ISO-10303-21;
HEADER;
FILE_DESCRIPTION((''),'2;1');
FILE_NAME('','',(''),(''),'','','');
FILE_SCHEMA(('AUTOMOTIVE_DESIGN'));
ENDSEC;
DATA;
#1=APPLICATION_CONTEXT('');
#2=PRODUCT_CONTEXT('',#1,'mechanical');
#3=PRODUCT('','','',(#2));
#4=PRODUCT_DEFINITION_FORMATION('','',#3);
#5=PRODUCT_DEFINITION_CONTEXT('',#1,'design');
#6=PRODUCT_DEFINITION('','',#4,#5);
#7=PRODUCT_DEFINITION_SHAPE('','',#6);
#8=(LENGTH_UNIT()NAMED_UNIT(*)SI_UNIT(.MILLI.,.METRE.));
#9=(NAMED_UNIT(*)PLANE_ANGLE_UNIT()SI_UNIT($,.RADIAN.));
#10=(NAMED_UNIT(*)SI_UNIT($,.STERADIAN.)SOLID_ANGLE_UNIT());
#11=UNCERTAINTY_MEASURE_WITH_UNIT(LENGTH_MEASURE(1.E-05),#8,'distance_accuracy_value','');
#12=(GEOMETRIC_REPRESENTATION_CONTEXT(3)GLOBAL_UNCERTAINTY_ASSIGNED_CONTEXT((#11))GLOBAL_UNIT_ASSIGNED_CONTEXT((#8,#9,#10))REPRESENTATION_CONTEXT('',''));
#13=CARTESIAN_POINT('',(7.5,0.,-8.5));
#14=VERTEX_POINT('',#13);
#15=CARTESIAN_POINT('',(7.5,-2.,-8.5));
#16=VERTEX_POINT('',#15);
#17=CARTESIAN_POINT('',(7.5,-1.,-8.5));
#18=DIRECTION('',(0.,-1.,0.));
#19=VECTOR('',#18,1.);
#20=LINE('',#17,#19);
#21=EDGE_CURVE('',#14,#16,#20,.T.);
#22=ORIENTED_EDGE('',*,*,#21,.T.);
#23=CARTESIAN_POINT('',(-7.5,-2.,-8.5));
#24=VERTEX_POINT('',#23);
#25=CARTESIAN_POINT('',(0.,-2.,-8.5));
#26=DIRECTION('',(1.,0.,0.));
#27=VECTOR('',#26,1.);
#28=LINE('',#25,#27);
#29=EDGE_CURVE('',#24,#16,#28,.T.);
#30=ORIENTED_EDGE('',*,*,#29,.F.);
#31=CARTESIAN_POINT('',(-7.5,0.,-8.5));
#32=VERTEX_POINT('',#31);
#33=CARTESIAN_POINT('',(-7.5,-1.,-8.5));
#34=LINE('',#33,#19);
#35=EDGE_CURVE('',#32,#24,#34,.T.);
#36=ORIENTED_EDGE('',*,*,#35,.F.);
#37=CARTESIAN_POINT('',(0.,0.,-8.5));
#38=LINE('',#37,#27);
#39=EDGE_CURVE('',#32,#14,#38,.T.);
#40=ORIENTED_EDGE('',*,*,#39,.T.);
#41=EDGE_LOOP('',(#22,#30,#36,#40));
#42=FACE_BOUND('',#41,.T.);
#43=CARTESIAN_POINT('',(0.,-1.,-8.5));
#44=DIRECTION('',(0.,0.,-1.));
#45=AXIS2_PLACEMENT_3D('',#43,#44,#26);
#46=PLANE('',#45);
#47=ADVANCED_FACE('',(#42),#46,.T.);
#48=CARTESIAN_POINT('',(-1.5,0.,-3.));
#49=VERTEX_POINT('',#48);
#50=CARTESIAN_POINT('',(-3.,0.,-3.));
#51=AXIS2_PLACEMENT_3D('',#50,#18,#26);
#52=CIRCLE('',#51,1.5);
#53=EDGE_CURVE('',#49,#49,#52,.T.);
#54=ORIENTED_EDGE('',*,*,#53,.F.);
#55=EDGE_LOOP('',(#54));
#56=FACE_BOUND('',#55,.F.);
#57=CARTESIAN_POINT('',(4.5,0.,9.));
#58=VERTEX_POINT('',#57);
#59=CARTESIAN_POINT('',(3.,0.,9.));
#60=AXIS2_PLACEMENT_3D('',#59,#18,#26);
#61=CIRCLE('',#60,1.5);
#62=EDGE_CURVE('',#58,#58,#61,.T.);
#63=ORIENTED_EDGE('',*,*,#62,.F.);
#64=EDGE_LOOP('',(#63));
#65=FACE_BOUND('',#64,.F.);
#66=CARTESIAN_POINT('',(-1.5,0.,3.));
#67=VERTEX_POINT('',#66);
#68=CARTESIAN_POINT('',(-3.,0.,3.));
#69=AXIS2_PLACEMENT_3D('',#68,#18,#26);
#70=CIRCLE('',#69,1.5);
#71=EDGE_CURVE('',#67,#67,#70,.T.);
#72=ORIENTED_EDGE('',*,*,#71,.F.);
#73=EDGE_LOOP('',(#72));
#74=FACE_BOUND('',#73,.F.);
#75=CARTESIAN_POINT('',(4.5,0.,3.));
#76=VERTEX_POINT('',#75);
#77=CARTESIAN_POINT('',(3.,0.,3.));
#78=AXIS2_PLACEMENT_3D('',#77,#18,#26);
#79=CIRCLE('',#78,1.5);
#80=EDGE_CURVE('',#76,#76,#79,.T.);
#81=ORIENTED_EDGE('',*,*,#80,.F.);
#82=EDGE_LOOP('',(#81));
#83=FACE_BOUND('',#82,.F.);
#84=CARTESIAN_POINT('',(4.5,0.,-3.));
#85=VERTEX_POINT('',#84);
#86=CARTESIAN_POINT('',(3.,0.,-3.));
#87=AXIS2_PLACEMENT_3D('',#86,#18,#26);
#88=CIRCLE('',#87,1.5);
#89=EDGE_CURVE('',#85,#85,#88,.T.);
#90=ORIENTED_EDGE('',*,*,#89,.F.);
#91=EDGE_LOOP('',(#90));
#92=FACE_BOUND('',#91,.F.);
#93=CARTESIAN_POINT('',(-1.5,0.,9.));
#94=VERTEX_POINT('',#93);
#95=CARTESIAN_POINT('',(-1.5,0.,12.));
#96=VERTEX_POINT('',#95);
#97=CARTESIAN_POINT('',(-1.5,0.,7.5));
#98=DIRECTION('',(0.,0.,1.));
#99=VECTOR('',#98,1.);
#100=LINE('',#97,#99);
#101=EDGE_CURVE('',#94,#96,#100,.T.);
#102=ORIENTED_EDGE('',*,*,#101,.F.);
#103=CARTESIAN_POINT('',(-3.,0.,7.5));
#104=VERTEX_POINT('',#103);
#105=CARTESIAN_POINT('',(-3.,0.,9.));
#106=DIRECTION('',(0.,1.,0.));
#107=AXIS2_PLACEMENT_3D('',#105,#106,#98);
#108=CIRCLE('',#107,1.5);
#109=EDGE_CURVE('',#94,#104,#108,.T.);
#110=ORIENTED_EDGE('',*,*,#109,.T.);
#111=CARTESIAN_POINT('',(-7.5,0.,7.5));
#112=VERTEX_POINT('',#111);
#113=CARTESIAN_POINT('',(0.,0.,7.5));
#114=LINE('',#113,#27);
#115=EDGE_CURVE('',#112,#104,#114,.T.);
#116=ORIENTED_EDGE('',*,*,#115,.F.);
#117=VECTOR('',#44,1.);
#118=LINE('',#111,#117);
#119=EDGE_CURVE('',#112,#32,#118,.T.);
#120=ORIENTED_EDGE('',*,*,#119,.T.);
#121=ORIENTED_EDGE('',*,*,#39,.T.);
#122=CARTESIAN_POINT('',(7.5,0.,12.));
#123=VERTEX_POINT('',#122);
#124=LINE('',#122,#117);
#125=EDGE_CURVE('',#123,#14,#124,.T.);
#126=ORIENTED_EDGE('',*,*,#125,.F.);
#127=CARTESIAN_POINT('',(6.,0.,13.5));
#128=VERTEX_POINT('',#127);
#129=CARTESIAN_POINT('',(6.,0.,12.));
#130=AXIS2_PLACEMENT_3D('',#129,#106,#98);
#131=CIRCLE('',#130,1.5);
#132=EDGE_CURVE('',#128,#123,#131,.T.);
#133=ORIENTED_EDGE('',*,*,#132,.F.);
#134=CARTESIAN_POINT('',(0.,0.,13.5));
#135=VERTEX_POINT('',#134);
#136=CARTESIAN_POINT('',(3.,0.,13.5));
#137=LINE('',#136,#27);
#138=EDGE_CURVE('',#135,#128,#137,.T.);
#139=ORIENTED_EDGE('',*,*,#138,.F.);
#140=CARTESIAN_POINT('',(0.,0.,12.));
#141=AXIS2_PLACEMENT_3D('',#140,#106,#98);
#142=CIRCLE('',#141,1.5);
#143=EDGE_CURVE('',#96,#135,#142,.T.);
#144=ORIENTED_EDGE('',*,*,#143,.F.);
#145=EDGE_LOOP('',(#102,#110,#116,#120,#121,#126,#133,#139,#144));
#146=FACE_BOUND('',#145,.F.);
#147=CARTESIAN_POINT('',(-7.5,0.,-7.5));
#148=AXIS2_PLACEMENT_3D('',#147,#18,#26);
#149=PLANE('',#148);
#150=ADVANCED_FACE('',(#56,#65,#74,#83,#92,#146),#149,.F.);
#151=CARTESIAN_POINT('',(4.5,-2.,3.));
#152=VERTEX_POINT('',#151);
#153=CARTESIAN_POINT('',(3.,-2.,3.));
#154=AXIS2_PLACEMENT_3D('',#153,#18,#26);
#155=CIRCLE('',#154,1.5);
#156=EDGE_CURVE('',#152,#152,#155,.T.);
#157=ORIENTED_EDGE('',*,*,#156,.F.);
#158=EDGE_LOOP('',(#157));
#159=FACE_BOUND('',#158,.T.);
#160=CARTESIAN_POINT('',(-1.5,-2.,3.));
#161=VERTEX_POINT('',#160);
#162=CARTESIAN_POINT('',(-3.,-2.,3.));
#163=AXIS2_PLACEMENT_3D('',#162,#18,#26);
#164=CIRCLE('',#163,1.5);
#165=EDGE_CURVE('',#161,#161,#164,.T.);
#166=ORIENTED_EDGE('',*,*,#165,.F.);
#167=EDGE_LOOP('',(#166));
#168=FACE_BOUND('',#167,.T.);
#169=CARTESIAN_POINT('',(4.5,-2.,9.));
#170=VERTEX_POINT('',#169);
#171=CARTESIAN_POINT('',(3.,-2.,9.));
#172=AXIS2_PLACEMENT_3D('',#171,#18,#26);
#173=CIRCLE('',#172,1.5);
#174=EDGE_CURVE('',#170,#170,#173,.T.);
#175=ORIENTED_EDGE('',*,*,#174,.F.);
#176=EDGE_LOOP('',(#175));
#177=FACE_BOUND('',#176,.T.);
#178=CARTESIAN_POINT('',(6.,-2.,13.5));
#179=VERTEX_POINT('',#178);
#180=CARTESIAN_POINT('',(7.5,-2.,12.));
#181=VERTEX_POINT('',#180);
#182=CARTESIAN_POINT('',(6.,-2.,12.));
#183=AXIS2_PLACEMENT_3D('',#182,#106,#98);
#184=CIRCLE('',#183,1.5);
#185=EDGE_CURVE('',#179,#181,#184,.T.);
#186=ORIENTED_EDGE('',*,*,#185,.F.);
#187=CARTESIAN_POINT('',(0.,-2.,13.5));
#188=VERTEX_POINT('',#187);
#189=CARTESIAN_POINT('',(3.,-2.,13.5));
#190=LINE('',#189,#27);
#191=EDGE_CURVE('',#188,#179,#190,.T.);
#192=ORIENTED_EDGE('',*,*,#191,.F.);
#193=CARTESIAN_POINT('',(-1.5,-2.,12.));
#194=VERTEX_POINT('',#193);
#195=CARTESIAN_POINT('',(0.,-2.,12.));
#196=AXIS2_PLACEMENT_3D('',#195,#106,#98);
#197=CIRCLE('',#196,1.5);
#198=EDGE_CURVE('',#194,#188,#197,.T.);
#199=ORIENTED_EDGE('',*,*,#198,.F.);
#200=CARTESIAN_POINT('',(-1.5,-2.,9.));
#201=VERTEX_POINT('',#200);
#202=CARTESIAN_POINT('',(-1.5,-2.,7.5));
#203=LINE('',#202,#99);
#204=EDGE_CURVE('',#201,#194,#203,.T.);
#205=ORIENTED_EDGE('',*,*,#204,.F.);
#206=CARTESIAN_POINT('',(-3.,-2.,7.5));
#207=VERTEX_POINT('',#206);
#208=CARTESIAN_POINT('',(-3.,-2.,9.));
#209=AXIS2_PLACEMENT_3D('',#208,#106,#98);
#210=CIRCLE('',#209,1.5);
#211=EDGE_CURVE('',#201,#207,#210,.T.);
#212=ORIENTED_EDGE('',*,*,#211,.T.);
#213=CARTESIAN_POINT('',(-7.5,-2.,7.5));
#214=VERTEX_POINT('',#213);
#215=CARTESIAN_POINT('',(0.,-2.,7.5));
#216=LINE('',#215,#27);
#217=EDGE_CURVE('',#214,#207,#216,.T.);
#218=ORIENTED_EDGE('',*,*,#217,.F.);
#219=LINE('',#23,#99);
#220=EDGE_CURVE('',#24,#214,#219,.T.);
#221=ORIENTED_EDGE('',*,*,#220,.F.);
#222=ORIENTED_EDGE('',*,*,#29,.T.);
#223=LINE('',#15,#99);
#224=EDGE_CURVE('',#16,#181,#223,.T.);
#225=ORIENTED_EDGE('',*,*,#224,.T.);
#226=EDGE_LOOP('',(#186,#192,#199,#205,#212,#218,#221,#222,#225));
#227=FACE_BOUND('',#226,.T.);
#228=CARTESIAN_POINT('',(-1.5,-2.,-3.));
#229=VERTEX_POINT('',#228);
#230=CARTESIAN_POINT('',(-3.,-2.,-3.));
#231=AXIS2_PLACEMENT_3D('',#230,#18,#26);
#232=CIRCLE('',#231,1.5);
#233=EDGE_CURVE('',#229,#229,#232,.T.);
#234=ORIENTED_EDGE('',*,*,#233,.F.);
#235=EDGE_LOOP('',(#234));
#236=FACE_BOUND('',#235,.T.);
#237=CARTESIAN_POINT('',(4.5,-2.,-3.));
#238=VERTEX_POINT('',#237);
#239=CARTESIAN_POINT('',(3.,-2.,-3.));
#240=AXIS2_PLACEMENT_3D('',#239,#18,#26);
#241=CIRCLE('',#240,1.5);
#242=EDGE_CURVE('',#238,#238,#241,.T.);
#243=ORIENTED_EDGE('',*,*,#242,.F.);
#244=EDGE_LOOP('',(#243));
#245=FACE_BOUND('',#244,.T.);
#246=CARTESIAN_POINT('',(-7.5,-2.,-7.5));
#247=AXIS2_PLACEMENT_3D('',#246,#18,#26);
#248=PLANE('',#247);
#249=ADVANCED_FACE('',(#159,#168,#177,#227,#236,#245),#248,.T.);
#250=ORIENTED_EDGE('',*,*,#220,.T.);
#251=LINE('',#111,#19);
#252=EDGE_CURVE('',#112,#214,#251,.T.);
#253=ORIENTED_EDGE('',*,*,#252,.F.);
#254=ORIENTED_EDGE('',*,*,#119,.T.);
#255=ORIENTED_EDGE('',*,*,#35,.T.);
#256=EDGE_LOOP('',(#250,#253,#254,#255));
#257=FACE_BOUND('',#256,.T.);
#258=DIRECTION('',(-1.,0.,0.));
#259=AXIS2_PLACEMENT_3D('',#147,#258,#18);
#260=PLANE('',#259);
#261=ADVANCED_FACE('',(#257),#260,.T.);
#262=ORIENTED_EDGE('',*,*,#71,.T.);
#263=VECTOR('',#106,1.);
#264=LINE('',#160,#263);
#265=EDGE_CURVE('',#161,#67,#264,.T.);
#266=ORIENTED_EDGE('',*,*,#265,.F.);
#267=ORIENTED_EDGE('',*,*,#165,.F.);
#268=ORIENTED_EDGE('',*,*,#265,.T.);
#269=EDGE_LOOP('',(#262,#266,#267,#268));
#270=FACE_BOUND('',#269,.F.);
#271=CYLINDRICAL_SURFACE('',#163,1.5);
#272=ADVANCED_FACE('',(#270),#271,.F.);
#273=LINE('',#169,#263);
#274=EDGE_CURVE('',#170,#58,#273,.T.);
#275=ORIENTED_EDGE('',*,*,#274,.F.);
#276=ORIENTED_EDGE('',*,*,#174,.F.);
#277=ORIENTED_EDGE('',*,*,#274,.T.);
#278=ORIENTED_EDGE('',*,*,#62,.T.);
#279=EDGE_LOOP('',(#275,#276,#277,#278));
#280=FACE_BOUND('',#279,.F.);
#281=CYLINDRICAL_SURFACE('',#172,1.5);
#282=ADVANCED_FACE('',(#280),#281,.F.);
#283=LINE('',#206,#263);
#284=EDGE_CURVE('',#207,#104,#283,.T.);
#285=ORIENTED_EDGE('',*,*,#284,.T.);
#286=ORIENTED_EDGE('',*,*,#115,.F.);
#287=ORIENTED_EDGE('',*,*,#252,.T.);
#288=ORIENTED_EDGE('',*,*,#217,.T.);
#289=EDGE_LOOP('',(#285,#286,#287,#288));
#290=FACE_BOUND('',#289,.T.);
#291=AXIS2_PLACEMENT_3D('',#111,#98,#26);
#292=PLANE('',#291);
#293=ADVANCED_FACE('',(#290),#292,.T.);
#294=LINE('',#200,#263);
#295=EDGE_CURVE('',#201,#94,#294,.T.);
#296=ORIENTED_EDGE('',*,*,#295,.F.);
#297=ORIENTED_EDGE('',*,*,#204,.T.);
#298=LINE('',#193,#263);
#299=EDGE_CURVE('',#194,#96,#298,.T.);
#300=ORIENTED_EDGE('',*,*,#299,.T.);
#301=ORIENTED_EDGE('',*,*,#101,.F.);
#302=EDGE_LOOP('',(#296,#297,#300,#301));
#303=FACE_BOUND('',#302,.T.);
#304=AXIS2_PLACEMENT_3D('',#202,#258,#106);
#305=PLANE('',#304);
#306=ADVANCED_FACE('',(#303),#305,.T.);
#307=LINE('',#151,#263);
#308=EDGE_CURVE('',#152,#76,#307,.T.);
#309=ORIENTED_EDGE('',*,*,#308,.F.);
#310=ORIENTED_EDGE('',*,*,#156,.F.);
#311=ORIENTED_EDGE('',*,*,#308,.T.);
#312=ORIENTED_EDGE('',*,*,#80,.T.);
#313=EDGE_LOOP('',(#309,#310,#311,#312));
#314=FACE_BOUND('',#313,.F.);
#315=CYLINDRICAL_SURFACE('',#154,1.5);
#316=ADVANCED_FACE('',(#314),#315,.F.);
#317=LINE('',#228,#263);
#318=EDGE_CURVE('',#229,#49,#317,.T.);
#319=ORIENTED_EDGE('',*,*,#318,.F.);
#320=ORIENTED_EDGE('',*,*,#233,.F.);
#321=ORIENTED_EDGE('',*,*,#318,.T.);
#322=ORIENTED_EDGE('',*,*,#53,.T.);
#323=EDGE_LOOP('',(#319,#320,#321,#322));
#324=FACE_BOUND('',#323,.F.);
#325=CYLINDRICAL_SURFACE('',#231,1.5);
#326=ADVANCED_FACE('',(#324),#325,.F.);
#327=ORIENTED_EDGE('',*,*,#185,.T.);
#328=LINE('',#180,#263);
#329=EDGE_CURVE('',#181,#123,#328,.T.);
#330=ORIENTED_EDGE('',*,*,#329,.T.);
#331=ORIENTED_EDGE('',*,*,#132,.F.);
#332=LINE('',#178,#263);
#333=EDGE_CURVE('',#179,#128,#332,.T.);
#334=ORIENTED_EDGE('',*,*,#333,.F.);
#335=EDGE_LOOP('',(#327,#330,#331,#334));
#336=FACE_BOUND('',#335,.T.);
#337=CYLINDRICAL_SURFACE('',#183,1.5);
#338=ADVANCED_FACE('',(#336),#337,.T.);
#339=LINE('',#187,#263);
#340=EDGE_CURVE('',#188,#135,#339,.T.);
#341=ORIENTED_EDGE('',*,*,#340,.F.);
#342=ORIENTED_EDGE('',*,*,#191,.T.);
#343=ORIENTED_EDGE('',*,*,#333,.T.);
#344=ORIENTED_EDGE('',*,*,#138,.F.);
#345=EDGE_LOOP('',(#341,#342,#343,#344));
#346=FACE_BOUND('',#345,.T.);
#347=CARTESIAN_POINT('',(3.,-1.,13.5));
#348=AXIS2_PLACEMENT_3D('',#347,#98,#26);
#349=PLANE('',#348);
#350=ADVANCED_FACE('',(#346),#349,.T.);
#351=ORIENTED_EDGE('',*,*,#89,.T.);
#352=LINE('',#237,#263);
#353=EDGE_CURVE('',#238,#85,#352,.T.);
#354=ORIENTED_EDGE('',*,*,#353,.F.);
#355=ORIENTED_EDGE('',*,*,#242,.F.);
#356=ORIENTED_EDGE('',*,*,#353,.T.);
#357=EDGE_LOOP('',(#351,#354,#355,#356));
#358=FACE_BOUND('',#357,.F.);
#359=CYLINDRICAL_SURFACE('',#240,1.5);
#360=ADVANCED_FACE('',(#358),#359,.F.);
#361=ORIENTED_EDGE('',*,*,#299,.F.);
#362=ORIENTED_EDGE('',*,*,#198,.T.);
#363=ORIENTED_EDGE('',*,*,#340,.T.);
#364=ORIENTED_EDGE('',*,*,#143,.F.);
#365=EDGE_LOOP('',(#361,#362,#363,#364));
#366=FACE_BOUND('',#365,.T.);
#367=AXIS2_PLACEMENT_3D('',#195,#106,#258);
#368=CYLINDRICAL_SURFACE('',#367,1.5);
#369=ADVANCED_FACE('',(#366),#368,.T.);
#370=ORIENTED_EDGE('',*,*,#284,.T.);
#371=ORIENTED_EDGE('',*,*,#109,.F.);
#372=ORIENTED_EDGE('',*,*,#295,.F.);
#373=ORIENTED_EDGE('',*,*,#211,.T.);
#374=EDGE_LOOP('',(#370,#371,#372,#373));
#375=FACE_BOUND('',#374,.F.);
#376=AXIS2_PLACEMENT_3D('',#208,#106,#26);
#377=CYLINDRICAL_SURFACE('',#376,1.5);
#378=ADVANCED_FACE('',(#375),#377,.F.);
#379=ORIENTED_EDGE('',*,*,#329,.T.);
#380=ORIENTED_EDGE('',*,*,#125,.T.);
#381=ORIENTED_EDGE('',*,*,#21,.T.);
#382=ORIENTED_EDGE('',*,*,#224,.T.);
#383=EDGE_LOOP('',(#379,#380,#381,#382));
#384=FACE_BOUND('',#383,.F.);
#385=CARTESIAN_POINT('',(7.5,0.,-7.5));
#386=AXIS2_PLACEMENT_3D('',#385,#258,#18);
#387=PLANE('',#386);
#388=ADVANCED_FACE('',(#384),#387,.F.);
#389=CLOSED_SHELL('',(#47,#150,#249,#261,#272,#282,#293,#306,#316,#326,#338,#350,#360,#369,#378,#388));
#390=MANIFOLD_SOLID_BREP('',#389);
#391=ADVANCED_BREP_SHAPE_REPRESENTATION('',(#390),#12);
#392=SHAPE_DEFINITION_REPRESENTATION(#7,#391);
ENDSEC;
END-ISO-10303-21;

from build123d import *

# Parameters (mm, degrees)
F0_W      = 15
F0_H      = 15
F1_DEPTH  = 2
F2_R      = 1.5
F3_DEPTH  = 25
F4_W      = 9
F4_H      = 2
F5_DEPTH  = 6
F6_R      = 1.5
F7_DEPTH  = 25
F8_R      = 1.5
F9_W      = 15
F9_H      = 2
F10_DEPTH = 1


with BuildPart() as f1:
    # F0 (on Front) → F1 (new body)
    with BuildSketch(Plane.XZ):
        Rectangle(F0_W, F0_H)
    extrude(amount=F1_DEPTH)

    # F2 (on face) → F3 (cut)
    with BuildSketch(Plane.XZ.offset(2)):
        with Locations((3, 3)):
            Circle(F2_R)
        with Locations((-3, 3)):
            Circle(F2_R)
        with Locations((-3, -3)):
            Circle(F2_R)
        with Locations((3, -3)):
            Circle(F2_R)
    extrude(amount=-F3_DEPTH, mode=Mode.SUBTRACT)

    # F4 (on face) → F5 (join)
    with BuildSketch(Plane.XY.offset(7.5)):
        with Locations((3, -1)):
            Rectangle(F4_W, F4_H)
    extrude(amount=F5_DEPTH)

    # F6 (on face) → F7 (cut)
    with BuildSketch(Plane.XZ.offset(2)):
        with Locations((3, 9)):
            Circle(F6_R)
    extrude(amount=-F7_DEPTH, mode=Mode.SUBTRACT)

    # F8
    f8_edges = [f1.edges().sort_by_distance(p)[0] for p in [
        (7.5, -1, 13.5),
        (-1.5, -1, 13.5),
        (-1.5, -1, 7.5),
    ]]
    fillet(f8_edges, radius=F8_R)

    # F9 (on face) → F10 (join)
    with BuildSketch(Plane(origin=(0, 0, -7.5), x_dir=(1, 0, 0), z_dir=(0, 0, -1))):
        with Locations((0, 1)):
            Rectangle(F9_W, F9_H)
    extrude(amount=F10_DEPTH)


solid = f1.part
